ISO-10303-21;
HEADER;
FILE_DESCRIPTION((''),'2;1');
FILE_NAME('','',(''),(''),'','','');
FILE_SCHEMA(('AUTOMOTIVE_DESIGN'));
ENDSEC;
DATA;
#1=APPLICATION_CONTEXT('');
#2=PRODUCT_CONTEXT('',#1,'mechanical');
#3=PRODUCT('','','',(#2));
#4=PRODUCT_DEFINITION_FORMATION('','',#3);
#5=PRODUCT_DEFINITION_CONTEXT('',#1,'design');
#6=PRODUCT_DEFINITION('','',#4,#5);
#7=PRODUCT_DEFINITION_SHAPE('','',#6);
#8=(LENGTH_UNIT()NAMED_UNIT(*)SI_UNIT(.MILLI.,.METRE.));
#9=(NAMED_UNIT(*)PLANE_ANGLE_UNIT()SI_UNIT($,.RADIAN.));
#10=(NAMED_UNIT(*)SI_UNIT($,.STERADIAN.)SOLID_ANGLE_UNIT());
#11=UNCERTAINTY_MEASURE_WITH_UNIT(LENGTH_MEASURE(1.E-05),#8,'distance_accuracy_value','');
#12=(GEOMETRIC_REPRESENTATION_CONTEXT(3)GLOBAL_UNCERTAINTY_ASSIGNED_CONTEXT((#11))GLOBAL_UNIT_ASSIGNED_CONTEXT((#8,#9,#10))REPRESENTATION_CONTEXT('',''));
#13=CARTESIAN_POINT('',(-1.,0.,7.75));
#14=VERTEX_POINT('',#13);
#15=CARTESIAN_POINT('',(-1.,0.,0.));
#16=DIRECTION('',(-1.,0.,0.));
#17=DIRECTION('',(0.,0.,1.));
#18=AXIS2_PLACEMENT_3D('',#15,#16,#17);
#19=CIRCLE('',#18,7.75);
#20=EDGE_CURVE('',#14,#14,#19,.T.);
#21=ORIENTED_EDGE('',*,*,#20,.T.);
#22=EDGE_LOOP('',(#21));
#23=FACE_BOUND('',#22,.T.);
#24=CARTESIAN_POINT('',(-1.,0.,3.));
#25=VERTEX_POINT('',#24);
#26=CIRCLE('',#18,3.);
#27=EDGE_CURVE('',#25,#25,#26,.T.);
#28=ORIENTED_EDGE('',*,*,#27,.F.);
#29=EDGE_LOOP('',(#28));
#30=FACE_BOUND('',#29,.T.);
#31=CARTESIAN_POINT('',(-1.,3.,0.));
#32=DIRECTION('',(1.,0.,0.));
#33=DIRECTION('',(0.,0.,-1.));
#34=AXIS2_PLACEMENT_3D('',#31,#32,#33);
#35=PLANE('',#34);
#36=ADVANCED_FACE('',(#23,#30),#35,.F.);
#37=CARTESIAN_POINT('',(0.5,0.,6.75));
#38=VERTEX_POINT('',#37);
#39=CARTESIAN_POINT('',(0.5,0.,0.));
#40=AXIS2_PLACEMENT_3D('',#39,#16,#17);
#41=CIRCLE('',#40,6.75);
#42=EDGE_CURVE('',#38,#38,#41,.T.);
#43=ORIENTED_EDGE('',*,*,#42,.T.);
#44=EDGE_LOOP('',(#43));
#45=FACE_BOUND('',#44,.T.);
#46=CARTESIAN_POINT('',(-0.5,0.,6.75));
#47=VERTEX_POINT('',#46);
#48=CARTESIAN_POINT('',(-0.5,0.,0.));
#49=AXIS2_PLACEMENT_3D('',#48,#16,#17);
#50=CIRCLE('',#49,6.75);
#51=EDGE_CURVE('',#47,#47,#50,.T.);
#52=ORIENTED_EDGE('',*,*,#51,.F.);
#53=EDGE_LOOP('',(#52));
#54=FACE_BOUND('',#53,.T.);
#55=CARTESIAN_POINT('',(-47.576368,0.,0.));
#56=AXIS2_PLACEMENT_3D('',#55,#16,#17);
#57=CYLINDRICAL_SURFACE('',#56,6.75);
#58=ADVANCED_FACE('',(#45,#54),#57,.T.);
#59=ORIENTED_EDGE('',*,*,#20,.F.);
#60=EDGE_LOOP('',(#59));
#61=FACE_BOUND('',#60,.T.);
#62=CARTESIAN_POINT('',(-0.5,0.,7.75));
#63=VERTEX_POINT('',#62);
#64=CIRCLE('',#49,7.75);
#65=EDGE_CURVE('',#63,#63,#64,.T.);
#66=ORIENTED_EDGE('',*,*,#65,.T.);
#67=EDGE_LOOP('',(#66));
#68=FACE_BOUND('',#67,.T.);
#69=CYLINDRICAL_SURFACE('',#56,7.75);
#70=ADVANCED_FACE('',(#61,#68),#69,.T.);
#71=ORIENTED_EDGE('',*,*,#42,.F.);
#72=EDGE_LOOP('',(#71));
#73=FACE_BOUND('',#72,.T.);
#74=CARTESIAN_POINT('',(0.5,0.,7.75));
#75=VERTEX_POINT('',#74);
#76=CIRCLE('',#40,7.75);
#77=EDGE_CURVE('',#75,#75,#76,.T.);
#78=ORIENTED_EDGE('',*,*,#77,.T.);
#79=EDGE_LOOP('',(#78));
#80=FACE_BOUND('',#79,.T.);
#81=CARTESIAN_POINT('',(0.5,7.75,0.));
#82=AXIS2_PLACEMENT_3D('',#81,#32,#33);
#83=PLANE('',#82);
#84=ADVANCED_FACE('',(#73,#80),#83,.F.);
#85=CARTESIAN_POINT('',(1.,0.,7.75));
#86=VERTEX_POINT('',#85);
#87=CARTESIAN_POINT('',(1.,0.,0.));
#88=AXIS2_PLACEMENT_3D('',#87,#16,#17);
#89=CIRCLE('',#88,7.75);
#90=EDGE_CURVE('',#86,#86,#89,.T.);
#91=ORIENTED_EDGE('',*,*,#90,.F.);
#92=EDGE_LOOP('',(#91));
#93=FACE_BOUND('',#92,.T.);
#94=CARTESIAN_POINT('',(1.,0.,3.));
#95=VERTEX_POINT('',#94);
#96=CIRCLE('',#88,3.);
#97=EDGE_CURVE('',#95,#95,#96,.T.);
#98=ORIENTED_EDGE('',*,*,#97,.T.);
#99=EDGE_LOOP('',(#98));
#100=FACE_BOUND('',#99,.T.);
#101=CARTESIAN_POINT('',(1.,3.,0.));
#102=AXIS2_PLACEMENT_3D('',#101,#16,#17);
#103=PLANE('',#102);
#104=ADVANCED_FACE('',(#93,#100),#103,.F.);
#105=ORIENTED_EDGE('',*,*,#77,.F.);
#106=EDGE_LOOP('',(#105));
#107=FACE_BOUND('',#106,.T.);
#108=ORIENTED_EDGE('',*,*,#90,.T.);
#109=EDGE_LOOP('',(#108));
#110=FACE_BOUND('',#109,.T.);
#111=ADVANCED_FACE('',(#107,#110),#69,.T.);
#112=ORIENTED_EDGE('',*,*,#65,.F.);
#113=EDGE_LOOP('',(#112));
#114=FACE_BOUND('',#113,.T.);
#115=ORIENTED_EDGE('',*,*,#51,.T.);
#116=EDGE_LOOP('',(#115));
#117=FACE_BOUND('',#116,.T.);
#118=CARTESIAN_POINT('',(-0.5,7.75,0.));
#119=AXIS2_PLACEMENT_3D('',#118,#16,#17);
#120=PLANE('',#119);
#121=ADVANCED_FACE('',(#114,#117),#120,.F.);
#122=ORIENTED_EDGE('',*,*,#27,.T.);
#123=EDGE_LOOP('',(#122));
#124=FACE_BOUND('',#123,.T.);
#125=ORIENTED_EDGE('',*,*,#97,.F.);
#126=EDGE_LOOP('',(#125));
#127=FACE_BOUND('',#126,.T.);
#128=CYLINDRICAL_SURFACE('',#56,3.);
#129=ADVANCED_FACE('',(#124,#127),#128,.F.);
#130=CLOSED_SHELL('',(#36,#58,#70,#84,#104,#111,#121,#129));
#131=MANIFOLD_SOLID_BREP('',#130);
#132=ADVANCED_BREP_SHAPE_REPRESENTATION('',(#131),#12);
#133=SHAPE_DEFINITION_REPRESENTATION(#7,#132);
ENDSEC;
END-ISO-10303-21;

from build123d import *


with BuildPart() as part:
    # Skizze1 → Rotation1 (revolve)
    with BuildSketch(Plane.XY):
        Polygon((1, 3), (-1, 3), (-1, 7.75), (-0.5, 7.75), (-0.5, 6.75), (0.5, 6.75), (0.5, 7.75), (1, 7.75), align=None)
    revolve(axis=Axis((-47.576368058, 0, 0), (1, 0, 0)))


solid = part.part
